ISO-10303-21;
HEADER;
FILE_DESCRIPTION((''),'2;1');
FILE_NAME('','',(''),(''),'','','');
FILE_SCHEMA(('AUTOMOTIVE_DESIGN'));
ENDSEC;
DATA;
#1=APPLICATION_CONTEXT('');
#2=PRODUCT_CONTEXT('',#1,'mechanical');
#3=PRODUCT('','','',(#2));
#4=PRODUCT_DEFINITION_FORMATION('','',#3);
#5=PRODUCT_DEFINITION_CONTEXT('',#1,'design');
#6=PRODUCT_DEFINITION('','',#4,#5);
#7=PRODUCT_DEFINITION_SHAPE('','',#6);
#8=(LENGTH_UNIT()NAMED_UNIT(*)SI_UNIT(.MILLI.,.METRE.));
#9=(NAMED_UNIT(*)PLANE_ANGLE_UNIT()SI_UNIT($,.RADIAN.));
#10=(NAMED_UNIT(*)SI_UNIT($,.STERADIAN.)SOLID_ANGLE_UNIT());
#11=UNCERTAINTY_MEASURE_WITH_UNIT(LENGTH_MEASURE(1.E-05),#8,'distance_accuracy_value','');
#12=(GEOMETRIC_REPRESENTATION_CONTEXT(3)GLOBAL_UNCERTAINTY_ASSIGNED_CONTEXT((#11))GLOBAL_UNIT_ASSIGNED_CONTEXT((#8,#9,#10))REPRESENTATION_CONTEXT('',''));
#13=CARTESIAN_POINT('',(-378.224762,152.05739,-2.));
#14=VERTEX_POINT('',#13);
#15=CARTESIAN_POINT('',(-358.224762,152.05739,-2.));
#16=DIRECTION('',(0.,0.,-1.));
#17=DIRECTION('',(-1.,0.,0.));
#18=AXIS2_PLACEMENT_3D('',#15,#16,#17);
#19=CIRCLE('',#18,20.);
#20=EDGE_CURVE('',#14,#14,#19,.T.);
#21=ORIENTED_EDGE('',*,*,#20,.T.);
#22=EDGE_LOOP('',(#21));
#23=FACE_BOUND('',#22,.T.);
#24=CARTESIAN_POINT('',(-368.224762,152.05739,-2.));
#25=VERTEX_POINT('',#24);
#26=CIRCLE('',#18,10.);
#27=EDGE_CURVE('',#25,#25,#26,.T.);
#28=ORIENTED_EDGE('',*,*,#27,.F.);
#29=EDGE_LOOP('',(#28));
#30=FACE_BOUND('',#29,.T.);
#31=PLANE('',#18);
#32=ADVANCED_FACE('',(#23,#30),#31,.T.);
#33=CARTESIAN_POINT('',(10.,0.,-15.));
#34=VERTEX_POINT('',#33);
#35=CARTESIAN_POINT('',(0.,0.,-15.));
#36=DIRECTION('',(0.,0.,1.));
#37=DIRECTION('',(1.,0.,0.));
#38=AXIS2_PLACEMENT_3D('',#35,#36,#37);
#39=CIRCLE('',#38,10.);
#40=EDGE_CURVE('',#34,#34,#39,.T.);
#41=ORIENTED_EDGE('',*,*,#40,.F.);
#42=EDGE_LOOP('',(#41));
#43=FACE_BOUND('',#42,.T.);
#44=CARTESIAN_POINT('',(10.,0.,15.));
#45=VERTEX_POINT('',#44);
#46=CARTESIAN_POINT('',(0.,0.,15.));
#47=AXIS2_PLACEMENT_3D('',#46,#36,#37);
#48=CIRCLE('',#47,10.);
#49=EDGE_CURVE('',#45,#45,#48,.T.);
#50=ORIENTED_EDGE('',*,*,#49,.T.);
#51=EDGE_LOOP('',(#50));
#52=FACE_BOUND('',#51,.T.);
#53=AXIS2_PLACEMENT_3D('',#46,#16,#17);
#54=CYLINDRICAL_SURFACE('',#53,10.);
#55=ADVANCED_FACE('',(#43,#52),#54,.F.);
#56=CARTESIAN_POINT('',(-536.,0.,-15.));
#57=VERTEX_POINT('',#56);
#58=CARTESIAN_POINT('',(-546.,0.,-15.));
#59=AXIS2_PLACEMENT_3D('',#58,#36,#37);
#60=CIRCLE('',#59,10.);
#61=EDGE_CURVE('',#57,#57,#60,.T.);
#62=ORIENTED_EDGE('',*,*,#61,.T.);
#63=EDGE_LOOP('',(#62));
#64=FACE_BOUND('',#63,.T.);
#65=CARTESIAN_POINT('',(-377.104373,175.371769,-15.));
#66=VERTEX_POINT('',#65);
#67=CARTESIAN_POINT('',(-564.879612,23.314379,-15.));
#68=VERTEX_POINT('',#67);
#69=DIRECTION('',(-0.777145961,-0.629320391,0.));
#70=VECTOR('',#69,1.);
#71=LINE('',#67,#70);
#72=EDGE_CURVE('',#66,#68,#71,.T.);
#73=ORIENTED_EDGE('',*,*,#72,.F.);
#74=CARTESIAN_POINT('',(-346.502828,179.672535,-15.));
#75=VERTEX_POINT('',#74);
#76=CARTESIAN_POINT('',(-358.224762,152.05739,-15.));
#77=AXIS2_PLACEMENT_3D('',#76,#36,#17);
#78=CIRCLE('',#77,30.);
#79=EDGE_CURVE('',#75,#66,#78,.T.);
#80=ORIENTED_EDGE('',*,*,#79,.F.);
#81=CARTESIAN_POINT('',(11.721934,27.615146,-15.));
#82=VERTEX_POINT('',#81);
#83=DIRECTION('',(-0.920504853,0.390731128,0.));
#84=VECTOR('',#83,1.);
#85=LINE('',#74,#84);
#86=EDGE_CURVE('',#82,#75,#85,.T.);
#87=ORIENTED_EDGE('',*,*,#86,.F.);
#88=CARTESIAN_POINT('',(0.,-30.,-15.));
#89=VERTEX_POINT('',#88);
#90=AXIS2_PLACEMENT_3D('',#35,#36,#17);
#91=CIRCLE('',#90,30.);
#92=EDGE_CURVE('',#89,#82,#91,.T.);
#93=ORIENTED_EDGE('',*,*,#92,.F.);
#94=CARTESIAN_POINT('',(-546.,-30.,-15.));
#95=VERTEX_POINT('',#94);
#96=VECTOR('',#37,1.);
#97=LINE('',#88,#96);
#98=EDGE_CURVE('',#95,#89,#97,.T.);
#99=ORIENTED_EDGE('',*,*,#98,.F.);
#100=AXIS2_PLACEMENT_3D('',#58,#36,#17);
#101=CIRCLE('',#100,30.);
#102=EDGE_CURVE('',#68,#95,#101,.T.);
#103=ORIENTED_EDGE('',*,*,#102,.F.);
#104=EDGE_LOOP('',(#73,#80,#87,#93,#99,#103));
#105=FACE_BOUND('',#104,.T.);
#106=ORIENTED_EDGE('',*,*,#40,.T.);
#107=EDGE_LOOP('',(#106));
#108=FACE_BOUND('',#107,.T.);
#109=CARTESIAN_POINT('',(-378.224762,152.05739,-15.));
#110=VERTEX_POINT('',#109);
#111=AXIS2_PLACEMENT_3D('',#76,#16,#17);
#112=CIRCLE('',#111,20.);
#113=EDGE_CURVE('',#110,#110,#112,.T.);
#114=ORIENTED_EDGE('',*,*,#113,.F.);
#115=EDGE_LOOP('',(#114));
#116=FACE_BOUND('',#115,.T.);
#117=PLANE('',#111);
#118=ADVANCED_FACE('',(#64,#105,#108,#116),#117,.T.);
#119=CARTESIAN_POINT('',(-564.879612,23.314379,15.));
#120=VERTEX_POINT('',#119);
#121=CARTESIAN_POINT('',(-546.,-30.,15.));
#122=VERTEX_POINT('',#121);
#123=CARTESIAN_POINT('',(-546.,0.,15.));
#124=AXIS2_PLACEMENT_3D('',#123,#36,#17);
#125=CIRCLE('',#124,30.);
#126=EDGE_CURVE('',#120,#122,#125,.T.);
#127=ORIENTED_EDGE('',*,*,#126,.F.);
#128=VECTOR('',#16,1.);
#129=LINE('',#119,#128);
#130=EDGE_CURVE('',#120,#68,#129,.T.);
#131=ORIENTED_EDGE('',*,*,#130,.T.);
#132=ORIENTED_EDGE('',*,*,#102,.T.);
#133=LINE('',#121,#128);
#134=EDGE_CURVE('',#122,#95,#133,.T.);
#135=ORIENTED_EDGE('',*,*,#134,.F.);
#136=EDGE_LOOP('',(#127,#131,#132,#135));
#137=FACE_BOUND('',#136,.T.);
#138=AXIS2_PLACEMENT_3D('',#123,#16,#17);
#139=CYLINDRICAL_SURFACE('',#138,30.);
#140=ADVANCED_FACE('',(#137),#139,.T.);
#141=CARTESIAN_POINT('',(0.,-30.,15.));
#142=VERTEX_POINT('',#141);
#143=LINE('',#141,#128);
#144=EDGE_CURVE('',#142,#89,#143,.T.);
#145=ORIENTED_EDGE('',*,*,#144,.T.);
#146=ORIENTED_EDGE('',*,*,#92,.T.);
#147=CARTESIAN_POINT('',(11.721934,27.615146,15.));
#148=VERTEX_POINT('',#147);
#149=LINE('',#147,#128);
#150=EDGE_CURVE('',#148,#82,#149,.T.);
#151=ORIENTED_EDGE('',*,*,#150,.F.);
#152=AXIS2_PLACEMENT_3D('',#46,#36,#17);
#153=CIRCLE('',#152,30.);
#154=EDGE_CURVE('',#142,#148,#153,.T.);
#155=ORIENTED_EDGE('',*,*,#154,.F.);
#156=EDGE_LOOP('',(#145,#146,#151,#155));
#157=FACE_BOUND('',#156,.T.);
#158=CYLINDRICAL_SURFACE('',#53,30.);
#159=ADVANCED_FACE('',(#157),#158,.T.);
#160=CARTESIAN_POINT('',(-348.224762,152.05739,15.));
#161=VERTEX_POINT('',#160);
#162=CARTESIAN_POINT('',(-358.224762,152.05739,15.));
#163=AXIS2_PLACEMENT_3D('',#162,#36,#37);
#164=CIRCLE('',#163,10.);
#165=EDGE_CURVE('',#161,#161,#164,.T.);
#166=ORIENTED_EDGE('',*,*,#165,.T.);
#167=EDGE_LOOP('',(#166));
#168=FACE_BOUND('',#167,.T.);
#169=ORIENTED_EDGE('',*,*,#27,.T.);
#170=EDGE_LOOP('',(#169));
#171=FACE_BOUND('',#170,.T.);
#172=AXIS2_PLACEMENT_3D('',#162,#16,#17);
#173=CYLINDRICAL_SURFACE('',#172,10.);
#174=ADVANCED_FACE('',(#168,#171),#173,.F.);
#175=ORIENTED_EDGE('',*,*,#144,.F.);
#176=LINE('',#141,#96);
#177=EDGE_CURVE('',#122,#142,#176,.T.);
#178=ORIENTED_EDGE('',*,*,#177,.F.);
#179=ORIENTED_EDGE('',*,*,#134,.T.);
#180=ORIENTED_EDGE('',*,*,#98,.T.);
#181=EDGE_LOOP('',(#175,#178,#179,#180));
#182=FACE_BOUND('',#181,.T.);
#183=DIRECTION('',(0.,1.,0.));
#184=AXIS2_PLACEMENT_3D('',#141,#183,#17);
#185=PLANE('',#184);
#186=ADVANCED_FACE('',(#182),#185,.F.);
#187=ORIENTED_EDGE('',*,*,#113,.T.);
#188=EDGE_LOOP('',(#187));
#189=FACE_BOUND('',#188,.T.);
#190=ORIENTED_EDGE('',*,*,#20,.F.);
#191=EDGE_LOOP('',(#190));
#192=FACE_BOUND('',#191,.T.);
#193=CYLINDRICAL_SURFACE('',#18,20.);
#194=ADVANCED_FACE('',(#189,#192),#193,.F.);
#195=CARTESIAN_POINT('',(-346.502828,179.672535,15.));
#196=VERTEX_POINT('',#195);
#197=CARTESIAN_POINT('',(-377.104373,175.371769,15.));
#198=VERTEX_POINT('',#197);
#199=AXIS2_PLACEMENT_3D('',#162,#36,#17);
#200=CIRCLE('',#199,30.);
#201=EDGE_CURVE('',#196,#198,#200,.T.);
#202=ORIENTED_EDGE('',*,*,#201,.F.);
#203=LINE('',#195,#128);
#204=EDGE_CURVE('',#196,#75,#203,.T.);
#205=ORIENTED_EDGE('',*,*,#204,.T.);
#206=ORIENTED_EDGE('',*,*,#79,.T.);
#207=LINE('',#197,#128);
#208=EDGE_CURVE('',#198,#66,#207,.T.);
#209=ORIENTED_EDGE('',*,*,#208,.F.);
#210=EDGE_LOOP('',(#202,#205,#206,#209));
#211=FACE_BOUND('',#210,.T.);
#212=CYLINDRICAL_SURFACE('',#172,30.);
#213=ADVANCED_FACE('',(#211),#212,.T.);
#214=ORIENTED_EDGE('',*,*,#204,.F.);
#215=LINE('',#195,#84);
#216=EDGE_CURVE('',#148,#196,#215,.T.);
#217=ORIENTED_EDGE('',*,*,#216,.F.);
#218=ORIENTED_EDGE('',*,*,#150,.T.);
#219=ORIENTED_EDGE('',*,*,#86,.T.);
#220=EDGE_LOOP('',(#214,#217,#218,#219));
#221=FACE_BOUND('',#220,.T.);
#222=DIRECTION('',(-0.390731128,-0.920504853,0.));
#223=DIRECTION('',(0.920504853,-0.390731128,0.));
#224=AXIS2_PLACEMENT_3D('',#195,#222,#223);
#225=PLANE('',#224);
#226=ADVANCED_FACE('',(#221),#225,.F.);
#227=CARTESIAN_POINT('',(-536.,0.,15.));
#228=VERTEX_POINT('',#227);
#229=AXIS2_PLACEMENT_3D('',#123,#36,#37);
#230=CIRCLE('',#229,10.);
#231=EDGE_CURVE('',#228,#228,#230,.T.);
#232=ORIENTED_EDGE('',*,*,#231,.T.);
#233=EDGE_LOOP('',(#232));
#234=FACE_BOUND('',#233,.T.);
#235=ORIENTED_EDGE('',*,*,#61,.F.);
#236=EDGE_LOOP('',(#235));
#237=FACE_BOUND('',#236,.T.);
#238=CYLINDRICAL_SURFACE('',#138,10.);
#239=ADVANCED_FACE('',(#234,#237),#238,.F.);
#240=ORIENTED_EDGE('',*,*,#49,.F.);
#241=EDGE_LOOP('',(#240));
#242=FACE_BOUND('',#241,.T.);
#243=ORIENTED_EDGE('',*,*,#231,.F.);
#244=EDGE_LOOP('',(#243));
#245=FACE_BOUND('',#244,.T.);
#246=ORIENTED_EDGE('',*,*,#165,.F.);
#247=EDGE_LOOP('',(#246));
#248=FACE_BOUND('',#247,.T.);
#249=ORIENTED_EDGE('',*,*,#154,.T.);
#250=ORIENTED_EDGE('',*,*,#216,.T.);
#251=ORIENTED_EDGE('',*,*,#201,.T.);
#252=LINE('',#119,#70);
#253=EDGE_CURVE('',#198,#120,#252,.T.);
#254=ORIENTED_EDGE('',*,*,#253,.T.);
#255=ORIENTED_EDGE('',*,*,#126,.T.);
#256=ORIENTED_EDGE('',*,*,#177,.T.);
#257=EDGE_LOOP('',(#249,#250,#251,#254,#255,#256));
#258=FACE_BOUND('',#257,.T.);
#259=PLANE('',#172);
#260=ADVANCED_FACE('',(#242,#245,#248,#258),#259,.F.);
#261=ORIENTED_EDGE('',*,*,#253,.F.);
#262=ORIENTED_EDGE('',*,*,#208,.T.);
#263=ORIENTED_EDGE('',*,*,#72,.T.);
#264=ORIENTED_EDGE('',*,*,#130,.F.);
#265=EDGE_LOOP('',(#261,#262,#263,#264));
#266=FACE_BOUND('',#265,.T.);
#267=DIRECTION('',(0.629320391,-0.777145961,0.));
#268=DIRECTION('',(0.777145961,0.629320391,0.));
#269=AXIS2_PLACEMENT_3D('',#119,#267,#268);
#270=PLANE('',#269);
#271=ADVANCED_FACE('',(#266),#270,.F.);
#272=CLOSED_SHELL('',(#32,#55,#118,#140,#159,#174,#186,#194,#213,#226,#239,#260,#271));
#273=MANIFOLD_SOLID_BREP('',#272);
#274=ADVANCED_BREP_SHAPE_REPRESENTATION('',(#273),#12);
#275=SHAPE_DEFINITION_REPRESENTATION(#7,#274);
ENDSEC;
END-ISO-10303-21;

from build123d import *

# Parameters (mm, degrees)
SKETCH_1_R          = 10
EXTRUDE_1_DEPTH     = 15
SKETCH_2_R          = 20
CUT_EXTRUDE_1_DEPTH = 13


with BuildPart() as part:
    # Эскиз1 → Бобышка-Вытянуть1 (new body, symmetric)
    with BuildSketch(Plane.XY):
        with BuildLine():
            Line((-346.502827781, 179.672535461), (11.721933855, 27.615145604))
            ThreePointArc((11.721933855, 27.615145604), (29.397741139, -5.981038033), (0, -30))
            Line((0, -30), (-546, -30))
            ThreePointArc((-546, -30), (-574.279244733, -10.014205777), (-564.879611731, 23.314378844))
            Line((-564.879611731, 23.314378844), (-377.104373367, 175.371768701))
            ThreePointArc((-377.104373367, 175.371768701), (-362.399954664, 181.765431919), (-346.502827781, 179.672535461))
        make_face()
        with Locations((-546, 0)):
            Circle(SKETCH_1_R, mode=Mode.SUBTRACT)
        with Locations((-358.224761635, 152.057389857)):
            Circle(SKETCH_1_R, mode=Mode.SUBTRACT)
        Circle(SKETCH_1_R, mode=Mode.SUBTRACT)
    extrude(amount=EXTRUDE_1_DEPTH, both=True)

    # Эскиз2 → Вырез-Вытянуть1 (cut)
    with BuildSketch(Plane(origin=(0, 0, -15), x_dir=(-1, 0, 0), z_dir=(0, 0, -1))):
        with Locations((358.224761635, 152.057389857)):
            Circle(SKETCH_2_R)
    extrude(amount=-CUT_EXTRUDE_1_DEPTH, mode=Mode.SUBTRACT)


solid = part.part
